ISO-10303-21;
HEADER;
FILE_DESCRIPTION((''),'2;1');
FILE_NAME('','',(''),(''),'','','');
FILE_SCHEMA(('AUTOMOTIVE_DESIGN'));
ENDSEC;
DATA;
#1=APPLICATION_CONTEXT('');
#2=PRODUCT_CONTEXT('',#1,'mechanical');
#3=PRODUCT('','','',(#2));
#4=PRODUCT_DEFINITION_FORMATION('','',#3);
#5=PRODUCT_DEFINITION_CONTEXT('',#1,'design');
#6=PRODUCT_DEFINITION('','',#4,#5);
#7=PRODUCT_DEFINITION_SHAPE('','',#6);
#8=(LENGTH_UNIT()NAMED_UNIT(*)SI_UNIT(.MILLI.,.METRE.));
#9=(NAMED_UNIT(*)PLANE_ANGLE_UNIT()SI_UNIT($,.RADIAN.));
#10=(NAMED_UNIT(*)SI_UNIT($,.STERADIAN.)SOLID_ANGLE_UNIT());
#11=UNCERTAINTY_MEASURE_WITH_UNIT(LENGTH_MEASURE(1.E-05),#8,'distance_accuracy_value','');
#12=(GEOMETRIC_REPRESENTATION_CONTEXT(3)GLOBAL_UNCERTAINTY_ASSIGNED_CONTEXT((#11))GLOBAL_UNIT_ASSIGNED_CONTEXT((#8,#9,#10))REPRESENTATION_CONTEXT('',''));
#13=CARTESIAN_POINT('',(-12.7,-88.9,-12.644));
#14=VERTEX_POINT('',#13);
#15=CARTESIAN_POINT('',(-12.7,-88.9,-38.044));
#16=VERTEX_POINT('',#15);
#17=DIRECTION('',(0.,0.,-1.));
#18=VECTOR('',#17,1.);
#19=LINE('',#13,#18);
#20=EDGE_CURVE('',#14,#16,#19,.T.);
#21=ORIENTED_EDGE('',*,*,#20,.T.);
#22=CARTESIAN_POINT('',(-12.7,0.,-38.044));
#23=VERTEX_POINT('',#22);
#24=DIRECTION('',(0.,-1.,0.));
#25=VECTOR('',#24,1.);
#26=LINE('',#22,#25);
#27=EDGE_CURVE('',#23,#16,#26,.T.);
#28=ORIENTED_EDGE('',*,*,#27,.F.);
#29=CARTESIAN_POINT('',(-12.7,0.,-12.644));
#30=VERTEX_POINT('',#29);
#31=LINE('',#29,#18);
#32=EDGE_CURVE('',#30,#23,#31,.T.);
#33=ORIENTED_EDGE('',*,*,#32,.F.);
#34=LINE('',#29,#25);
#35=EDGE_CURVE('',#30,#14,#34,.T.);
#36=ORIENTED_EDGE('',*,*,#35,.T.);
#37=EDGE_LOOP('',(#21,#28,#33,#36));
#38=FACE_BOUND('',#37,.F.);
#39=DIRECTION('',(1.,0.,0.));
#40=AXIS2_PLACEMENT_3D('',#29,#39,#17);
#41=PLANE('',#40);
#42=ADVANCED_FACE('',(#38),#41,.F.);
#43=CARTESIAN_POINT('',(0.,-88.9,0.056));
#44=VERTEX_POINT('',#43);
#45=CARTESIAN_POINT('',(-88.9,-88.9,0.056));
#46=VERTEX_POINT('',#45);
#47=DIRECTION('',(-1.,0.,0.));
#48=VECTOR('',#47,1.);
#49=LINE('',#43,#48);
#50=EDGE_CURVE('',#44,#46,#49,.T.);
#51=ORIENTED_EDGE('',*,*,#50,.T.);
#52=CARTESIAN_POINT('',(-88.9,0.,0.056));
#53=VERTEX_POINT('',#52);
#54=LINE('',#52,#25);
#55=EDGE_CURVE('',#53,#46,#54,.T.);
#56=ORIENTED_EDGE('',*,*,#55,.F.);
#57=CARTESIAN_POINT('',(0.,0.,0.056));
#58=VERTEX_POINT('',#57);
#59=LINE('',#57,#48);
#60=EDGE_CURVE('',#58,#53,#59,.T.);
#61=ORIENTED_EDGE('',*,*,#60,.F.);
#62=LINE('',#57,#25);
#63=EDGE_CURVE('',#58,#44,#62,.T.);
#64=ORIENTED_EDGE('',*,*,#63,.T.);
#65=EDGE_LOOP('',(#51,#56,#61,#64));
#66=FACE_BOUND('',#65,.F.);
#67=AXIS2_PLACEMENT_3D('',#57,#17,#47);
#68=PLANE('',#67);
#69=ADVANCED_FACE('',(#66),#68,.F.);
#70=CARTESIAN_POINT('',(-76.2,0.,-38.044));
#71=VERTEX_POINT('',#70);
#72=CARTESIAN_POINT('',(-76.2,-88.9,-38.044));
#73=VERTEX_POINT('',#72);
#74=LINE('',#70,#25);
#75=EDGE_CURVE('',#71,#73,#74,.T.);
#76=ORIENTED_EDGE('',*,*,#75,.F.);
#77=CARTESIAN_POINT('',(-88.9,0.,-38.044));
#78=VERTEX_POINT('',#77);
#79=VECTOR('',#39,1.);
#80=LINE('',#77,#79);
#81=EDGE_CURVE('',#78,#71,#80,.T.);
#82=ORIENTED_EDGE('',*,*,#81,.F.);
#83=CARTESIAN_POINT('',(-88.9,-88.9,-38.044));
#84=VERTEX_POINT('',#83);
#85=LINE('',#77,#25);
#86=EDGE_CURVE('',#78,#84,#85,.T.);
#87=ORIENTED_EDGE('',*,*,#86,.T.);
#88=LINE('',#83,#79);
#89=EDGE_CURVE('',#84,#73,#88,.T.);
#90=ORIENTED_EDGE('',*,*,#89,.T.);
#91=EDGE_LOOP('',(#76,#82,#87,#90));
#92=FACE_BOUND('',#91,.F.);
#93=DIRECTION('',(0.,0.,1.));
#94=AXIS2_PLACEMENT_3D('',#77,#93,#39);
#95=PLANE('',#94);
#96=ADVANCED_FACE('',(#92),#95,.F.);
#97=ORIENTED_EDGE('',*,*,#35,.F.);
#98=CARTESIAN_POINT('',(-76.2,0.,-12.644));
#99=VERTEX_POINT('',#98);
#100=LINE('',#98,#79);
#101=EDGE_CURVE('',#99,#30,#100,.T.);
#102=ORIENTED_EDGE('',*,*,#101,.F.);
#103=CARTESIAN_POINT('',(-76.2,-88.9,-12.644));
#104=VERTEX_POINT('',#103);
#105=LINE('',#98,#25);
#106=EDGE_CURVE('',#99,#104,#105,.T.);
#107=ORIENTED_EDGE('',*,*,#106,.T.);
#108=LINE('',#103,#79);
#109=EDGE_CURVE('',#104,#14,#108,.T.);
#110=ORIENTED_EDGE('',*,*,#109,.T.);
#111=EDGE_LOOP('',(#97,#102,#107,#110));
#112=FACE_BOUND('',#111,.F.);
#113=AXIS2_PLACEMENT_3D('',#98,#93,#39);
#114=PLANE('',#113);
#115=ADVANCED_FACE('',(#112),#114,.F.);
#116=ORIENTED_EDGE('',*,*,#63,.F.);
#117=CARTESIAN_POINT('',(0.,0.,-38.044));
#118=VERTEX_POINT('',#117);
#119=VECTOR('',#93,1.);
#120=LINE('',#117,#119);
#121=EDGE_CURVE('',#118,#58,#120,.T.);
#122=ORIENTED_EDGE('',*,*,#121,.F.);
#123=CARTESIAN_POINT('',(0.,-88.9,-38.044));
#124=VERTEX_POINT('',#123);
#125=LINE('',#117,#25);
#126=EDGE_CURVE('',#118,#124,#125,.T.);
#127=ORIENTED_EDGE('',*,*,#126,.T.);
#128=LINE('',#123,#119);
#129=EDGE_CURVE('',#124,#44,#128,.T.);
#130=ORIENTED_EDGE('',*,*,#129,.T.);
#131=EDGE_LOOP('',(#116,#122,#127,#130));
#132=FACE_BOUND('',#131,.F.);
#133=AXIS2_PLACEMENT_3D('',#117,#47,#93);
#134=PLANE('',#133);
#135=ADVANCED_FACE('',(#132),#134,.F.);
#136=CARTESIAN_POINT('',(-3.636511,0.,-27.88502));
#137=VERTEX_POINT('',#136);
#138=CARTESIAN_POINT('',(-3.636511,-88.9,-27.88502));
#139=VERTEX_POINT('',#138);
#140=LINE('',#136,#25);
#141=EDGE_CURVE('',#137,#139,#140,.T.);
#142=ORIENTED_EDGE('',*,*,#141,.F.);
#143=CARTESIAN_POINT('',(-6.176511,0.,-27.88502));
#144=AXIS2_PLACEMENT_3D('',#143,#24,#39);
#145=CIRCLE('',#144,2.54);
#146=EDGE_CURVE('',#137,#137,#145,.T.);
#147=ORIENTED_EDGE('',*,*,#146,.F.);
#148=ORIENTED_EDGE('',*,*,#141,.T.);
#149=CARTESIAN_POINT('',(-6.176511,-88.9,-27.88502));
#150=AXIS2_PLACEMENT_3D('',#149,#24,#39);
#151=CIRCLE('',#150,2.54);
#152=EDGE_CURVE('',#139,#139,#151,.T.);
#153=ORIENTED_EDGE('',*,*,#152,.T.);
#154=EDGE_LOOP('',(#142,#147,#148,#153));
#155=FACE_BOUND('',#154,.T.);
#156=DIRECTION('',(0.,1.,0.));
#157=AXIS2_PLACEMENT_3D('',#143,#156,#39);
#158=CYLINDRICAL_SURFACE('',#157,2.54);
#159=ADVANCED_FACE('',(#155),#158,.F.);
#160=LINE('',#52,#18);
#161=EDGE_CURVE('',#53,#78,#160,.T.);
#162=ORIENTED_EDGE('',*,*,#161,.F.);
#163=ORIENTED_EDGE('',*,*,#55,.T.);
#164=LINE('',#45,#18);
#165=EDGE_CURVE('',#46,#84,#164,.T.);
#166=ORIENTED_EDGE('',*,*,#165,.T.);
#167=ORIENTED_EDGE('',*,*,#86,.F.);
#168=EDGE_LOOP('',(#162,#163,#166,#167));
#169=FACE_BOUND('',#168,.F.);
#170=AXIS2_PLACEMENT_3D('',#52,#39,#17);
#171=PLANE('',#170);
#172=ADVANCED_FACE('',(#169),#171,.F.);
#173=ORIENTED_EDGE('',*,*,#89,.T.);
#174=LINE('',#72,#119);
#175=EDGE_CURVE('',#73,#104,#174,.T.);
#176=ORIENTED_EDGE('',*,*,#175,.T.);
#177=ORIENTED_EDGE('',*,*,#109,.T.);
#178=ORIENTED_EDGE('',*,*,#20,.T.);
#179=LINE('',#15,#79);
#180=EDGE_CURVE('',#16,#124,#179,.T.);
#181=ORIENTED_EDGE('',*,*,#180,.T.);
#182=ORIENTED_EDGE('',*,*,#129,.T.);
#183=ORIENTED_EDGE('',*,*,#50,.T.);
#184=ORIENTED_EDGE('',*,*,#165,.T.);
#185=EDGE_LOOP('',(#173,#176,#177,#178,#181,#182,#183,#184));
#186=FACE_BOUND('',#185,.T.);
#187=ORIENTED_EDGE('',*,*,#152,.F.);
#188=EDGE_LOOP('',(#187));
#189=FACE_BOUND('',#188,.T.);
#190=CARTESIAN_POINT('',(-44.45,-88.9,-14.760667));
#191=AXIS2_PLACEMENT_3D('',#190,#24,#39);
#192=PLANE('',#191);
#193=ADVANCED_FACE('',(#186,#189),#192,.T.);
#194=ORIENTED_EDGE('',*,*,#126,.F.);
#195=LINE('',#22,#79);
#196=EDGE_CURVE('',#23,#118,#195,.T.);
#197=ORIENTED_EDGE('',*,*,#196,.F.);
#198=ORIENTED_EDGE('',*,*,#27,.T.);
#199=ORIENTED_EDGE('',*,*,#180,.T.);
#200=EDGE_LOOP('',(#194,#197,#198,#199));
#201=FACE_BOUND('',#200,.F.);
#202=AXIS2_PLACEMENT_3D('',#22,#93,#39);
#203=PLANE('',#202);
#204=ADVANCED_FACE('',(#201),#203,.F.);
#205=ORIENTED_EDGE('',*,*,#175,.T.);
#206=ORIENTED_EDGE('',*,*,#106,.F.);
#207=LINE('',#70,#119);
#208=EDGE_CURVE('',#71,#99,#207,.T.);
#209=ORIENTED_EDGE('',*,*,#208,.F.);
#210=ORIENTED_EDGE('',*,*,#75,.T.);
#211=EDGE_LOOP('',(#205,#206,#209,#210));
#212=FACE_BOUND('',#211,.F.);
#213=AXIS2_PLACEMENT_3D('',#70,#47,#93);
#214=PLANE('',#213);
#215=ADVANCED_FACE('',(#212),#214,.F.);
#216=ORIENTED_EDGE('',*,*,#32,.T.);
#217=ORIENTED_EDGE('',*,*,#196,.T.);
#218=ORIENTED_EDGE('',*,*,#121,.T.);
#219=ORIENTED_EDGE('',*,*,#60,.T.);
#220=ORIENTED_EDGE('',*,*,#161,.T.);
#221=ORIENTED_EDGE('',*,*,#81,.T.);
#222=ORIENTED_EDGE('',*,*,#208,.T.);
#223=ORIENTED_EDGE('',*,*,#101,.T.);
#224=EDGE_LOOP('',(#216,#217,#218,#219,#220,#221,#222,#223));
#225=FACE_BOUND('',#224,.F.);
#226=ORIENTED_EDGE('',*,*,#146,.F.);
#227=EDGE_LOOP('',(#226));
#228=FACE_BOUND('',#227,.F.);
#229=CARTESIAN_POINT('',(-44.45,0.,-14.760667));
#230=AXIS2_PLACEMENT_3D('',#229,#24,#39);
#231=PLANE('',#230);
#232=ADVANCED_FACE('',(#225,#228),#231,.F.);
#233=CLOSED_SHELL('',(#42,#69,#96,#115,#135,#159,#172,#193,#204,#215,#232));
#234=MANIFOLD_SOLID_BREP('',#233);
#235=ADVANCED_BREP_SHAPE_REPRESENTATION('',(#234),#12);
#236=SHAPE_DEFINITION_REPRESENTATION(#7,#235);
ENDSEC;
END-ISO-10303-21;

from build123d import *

# Parameters (mm, degrees)
F0_R     = 2.54
F1_DEPTH = 88.9


with BuildPart() as f1:
    # F0 (on Front) → F1 (new body)
    with BuildSketch(Plane.XZ):
        Polygon((-88.9, -38.0440002276), (-76.2, -38.0440002276), (-76.2, -12.6440002276), (-12.7, -12.6440002276), (-12.7, -38.0440002276), (0, -38.0440002276), (0, 0.0559997724), (-88.9, 0.0559997724), (-88.9, -12.6440002276), align=None)
        with Locations((-6.1765108258, -27.8850197792)):
            Circle(F0_R, mode=Mode.SUBTRACT)
    extrude(amount=F1_DEPTH)


with BuildPart() as f1b:
    # F0 (on Front) → F1, piece 2 (new body)
    with BuildSketch(Plane.XZ):
        with Locations((-59.0428002179, -29.2415227741)):
            Circle(F0_R)
    extrude(amount=F1_DEPTH)


solid = f1.part
